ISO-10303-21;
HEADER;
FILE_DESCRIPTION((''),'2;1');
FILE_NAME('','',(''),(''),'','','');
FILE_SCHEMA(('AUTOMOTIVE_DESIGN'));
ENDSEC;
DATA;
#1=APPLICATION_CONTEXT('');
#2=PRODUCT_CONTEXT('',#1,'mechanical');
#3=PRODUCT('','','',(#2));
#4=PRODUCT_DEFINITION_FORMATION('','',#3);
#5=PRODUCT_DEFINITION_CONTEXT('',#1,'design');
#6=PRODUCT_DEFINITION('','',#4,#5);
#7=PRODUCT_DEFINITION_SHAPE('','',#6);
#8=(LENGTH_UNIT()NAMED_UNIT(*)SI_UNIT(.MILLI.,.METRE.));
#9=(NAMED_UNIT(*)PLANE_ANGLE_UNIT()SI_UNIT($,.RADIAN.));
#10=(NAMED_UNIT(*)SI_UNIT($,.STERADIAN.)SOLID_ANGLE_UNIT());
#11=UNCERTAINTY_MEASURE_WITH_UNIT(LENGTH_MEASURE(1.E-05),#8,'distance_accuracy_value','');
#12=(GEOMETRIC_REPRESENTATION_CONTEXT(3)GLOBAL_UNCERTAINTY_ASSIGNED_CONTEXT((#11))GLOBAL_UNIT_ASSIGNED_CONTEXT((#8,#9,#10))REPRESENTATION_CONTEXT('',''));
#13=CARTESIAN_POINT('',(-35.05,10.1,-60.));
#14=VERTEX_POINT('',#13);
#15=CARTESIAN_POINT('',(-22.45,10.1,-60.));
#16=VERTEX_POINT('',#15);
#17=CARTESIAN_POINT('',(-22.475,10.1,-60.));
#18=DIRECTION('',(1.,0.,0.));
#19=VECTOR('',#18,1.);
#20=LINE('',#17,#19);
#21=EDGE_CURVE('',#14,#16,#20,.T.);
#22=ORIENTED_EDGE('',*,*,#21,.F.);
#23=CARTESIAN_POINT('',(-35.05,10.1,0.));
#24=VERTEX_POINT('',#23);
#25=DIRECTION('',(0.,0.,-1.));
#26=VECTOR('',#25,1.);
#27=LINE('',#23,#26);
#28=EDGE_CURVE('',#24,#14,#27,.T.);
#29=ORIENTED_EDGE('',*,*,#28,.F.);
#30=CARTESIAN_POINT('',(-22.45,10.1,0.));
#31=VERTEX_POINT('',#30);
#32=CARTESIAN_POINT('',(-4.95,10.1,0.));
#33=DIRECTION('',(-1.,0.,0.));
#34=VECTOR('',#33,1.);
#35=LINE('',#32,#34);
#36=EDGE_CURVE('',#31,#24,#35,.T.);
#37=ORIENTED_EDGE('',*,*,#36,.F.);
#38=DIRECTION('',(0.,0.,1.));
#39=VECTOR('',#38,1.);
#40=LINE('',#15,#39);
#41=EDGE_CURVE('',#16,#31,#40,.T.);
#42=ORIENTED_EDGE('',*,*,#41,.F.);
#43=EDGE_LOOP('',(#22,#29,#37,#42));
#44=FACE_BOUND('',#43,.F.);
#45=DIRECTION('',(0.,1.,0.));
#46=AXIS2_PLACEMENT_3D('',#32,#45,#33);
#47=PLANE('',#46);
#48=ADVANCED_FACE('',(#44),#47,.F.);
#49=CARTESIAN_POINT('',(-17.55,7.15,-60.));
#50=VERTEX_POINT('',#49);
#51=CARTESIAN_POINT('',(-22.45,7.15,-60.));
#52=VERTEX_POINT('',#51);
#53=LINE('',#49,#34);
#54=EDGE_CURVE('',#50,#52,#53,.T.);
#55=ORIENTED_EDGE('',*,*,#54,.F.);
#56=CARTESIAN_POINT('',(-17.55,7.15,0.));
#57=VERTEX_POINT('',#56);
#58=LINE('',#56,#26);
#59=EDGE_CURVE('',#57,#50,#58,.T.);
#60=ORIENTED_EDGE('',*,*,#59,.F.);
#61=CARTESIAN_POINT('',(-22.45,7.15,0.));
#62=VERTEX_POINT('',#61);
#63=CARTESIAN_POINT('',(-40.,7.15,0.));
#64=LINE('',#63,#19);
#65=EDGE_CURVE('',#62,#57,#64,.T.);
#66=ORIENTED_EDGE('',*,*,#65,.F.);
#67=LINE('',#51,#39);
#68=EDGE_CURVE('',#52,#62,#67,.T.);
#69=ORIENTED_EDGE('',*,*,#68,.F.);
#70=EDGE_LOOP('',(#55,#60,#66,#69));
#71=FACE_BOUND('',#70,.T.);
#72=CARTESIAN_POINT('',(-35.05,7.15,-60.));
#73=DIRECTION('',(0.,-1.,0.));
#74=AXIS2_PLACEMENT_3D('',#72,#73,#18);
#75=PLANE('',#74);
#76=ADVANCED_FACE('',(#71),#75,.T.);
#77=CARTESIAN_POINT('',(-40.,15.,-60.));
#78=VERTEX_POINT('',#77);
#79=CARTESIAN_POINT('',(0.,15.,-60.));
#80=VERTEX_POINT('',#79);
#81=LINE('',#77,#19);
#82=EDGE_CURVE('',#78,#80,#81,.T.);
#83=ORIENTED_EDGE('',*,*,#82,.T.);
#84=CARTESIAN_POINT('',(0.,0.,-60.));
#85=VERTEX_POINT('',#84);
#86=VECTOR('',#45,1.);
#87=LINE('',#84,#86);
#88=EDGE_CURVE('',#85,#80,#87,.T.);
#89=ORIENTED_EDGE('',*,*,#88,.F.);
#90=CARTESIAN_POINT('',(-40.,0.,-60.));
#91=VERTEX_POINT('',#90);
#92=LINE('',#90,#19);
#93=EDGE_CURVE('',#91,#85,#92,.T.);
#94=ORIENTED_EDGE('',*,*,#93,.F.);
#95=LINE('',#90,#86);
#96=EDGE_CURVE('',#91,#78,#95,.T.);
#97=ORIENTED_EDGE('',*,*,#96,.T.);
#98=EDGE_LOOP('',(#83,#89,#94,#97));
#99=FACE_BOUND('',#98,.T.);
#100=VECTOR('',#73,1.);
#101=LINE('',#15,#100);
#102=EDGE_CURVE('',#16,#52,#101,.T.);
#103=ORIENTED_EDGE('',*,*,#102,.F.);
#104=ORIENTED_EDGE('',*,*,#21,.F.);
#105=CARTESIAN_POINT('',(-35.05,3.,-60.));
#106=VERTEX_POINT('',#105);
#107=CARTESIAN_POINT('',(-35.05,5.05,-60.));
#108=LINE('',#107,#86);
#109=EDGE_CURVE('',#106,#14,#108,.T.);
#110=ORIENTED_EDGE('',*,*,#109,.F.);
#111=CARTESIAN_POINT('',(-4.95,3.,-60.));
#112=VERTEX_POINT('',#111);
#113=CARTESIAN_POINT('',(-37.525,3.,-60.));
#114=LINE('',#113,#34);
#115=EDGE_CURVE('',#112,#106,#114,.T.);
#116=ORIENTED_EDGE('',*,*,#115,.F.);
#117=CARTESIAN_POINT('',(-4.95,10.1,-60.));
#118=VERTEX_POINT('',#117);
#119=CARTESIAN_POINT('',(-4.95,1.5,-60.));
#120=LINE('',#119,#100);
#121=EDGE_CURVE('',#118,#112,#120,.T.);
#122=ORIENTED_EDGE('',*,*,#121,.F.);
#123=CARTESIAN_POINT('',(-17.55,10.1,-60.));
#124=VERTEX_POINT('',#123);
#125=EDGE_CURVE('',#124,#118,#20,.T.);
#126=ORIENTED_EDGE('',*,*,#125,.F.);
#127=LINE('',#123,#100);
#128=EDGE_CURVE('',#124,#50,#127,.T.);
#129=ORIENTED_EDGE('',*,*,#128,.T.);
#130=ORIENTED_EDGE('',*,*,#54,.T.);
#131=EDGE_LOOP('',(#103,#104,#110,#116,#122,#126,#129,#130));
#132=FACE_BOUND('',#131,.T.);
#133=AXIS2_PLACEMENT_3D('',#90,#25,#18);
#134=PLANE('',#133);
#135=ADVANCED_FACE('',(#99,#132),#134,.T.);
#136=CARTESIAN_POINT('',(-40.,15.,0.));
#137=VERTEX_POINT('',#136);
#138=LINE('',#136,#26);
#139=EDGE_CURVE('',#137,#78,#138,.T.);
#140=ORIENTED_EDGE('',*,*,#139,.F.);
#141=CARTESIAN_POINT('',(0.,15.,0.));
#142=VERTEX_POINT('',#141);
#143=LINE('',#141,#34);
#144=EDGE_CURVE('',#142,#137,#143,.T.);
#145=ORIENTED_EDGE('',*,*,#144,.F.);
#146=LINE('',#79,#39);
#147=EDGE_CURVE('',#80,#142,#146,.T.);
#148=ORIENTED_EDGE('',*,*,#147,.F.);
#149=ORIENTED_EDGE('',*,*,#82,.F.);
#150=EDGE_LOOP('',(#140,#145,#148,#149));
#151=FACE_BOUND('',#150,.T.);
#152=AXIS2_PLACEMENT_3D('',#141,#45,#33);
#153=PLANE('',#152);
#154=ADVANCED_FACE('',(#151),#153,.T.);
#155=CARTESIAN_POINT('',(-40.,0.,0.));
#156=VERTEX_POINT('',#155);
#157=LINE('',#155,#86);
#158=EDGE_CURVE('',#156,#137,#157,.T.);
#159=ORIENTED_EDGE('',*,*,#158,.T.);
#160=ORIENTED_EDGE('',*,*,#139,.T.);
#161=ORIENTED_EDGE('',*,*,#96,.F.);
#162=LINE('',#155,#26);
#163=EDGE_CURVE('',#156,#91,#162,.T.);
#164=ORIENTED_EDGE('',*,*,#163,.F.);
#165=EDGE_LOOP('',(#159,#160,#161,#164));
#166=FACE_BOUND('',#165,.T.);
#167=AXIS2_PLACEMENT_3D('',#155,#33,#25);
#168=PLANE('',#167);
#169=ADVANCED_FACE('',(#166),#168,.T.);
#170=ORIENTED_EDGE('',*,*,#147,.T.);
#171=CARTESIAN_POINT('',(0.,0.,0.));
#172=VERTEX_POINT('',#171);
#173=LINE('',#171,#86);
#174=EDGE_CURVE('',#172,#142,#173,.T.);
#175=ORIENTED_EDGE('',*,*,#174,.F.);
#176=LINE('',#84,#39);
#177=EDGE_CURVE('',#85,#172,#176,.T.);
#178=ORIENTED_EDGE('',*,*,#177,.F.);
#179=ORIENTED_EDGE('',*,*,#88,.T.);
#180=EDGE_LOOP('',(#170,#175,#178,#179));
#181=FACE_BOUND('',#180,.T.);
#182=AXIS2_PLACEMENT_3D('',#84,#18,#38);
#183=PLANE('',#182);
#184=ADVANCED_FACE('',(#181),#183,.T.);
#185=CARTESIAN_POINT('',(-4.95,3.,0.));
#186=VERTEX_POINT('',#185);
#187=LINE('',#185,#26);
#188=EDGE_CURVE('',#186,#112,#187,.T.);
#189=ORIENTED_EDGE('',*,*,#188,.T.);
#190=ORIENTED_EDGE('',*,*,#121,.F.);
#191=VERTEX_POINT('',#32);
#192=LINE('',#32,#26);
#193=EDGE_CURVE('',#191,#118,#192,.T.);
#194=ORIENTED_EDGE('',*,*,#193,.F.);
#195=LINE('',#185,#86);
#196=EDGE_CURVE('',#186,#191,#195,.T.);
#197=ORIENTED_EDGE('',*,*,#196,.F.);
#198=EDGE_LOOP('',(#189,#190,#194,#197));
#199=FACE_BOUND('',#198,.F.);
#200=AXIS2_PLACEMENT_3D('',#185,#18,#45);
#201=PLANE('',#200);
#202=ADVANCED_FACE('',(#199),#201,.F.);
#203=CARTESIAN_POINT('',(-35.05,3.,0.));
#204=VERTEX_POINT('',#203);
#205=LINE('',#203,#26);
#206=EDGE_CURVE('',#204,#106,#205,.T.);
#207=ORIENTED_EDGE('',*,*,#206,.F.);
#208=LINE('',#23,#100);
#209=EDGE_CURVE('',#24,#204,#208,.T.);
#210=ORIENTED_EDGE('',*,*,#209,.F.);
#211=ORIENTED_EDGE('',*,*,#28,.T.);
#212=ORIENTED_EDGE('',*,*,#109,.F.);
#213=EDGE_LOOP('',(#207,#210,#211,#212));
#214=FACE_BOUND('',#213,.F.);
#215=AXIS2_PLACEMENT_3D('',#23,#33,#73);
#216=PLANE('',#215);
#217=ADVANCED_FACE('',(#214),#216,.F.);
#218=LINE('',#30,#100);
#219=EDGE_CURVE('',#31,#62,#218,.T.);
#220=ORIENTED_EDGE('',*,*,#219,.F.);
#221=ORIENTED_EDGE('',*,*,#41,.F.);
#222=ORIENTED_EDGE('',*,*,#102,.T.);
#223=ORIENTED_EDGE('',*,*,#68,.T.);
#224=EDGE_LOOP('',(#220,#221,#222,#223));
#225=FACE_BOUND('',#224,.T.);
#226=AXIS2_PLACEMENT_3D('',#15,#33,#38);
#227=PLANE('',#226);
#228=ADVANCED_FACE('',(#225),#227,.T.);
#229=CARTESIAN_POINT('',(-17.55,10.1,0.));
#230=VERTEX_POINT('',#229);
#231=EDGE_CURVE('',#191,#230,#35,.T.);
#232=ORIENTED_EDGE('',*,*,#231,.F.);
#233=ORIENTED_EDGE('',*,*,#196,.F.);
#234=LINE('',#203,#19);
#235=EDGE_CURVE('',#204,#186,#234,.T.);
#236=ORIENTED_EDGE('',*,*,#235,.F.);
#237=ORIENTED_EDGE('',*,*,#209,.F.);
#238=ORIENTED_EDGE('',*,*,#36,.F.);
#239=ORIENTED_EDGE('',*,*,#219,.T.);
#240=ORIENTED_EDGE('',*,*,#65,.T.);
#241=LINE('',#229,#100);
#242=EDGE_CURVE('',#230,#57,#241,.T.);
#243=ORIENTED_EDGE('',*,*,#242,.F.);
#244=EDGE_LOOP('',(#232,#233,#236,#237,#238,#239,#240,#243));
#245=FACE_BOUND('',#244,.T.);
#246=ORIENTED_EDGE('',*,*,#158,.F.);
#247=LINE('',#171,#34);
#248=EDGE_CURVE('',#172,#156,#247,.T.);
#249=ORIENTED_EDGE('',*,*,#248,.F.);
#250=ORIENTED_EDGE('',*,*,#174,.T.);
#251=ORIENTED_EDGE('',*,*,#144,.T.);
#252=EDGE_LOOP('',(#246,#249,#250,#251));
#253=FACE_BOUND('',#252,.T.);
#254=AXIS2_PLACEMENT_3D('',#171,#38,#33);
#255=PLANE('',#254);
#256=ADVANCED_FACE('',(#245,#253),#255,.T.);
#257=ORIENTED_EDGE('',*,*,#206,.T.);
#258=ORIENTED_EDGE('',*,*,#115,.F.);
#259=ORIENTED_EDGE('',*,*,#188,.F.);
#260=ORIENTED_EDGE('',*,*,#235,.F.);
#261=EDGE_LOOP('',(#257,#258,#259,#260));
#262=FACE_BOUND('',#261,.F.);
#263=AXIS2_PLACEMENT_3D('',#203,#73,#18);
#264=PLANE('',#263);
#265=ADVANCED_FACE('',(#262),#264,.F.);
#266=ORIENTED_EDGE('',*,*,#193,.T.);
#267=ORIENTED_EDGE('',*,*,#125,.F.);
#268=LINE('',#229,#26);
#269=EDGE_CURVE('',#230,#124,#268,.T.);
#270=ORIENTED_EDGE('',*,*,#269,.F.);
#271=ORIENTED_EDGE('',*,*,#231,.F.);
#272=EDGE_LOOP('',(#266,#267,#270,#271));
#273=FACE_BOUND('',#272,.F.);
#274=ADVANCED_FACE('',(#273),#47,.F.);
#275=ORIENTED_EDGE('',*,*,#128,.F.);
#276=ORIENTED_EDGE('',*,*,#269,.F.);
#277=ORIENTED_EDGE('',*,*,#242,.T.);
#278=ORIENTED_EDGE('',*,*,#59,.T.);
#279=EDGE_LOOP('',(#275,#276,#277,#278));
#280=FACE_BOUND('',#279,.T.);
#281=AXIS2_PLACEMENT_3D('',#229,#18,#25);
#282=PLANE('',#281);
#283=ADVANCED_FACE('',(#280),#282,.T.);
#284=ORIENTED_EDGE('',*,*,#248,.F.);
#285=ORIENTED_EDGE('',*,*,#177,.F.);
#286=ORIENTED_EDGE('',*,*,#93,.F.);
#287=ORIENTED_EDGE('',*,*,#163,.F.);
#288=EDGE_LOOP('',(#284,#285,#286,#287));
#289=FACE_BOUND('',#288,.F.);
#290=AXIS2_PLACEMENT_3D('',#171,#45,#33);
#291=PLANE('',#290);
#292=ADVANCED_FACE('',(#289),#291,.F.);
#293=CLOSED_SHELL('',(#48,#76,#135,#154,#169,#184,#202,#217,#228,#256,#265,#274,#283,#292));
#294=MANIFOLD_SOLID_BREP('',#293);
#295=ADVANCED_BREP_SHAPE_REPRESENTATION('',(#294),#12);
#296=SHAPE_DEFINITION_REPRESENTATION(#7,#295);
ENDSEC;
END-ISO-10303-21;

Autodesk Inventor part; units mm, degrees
ref_plane "YZ Plane" through (0, 0, 0) normal (1, 0, 0) x (0, 1, 0)
ref_plane "XZ Plane" through (0, 0, 0) normal (0, 1, 0) x (-1, 0, 0)
ref_plane "XY Plane" through (0, 0, 0) normal (0, 0, 1) x (1, 0, 0)
sketch "スケッチ1" plane through (0, 0, 0) normal (0, 1, 0) x (-1, 0, 0)
  line L0 (0, 0) -> (40, 0)
  line L1 (40, 0) -> (40, -60)
  line L2 (40, -60) -> (0, -60)
  line L3 (0, -60) -> (0, 0)
  dimension "d0" = 40
  dimension "d1" = 60
extrude "押し出し1" add sketch "スケッチ1" along normal blind 15
ref_plane "作業平面1" through (-40, 0, 0) normal (0, 0, 1) x (1, 0, 0)
sketch "スケッチ2" plane through (-40, 0, 0) normal (0, 0, 1) x (1, 0, 0)
  line L0 (40, 15) -> (0, 15) projected
  line L1 (0, 0) -> (40, 0) projected
  line L2 (0, 0) -> (0, 15) projected
  line L3 (40, 0) -> (40, 15) projected
  line L4 (4.95, 3) -> (35.05, 3)
  line L5 (35.05, 3) -> (35.05, 10.1)
  line L6 (35.05, 10.1) -> (4.95, 10.1)
  line L7 (4.95, 10.1) -> (4.95, 3)
  point P0 (20, 10.1)
  dimension "d6" = 15
  dimension "d7" = 40
  dimension "d8" = 30.1
  dimension "d9" = 7.1
  dimension "d10" = 3
extrude "押し出し2" cut sketch "スケッチ2" against normal through all contours L7 L6 L5 L4
ref_plane "作業平面2" through (-35.05, 10.1, -60) normal (0, -1, 0) x (1, 0, 0)
sketch "スケッチ3" plane through (-35.05, 10.1, -60) normal (0, -1, 0) x (1, 0, 0)
  line L0 (-4.95, 60) -> (35.05, 60) projected
  line L1 (12.6, 60) -> (17.5, 60)
  line L2 (17.5, 60) -> (17.5, 0)
  line L3 (17.5, 0) -> (12.6, 0)
  line L4 (12.6, 0) -> (12.6, 60)
  point P0 (15.05, 60)
  dimension "d15" = 60
  dimension "d16" = 4.9
extrude "押し出し3" add sketch "スケッチ3" along normal blind 2.95
properties part number "linia"
